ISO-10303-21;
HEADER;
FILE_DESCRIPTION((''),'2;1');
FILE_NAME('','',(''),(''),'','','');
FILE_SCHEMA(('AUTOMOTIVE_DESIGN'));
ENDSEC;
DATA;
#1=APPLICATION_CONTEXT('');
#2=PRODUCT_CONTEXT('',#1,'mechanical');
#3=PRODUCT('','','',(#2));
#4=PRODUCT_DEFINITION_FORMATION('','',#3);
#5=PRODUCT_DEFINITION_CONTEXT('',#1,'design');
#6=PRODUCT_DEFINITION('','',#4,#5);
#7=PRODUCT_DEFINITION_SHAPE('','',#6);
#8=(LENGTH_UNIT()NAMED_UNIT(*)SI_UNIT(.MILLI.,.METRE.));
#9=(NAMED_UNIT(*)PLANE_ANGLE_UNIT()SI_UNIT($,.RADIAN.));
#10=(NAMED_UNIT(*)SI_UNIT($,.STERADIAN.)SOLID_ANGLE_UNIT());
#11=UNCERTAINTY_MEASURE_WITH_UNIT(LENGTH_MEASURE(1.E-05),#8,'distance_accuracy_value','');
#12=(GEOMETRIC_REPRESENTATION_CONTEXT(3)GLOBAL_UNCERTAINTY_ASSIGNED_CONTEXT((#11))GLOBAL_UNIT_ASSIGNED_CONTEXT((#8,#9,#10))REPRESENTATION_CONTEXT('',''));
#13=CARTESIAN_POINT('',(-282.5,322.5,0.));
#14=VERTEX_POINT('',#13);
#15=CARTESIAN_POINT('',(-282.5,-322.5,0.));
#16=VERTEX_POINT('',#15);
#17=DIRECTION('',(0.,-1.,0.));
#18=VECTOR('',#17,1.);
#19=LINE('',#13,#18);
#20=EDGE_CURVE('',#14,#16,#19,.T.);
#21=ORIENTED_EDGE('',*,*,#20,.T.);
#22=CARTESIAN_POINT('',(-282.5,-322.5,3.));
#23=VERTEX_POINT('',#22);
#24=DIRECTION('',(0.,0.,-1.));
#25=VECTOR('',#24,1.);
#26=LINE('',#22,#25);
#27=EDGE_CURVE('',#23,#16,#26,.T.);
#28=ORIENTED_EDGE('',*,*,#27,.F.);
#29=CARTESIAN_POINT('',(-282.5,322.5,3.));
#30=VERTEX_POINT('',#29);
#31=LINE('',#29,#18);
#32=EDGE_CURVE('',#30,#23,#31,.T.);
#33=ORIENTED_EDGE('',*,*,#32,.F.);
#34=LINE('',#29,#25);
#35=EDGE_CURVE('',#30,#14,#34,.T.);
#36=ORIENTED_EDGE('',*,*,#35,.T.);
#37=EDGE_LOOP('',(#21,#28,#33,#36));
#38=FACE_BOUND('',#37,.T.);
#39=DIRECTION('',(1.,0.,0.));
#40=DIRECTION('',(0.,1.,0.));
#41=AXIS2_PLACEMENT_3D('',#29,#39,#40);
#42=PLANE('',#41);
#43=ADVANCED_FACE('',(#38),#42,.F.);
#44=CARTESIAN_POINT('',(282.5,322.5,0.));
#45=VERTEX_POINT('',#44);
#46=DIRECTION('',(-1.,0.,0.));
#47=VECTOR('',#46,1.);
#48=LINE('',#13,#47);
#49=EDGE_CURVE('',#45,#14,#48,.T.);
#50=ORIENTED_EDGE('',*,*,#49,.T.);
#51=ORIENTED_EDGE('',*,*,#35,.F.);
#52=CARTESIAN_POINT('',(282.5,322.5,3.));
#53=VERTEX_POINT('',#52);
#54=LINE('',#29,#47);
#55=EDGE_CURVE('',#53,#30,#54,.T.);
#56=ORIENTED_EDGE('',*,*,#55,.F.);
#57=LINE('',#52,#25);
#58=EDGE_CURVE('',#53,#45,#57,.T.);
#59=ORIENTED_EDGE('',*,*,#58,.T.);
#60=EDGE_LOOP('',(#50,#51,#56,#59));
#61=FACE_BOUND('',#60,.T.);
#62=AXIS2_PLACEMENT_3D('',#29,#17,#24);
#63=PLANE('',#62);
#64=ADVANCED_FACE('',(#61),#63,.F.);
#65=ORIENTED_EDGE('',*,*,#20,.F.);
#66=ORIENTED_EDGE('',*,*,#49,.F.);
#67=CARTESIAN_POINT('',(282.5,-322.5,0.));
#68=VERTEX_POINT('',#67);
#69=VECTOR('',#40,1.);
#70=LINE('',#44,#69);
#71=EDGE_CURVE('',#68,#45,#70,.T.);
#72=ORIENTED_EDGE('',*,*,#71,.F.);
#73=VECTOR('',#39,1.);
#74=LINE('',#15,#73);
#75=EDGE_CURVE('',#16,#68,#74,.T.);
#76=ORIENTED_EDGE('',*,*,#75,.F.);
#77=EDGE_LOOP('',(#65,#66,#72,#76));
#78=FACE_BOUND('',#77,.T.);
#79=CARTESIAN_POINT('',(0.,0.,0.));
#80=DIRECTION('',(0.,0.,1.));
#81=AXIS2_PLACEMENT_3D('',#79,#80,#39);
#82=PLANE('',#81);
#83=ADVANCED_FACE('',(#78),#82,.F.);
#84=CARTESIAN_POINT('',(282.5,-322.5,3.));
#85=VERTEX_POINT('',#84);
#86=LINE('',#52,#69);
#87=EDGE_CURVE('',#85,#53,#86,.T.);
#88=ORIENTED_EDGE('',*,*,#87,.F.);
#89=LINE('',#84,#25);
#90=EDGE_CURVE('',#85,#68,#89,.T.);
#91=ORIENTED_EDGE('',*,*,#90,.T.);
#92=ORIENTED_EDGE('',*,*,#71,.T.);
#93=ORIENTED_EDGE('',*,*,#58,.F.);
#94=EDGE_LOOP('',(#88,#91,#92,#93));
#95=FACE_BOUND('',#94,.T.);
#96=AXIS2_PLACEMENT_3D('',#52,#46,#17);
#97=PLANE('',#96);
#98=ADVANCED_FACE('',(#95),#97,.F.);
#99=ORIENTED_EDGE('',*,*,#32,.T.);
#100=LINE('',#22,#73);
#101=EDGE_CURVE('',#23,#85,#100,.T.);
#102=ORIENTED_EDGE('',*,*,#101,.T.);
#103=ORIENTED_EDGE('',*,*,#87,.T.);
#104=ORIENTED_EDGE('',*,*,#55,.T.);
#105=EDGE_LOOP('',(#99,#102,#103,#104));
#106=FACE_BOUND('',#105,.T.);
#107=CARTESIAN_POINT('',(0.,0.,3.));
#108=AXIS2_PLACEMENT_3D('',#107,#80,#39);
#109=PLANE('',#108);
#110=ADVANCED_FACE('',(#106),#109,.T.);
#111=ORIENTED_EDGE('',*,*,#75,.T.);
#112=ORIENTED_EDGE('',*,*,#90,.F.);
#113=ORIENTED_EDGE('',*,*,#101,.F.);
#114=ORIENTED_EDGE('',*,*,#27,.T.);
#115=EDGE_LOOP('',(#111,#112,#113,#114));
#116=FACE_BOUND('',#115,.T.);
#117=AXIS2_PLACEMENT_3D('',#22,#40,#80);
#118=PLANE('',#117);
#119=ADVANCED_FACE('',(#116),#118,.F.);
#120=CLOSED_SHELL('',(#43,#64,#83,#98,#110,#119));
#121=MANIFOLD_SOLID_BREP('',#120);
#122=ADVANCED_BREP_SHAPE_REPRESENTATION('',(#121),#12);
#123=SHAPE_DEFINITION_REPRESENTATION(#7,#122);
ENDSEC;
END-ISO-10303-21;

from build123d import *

# Parameters (mm, degrees)
SKICA1_W                = 565
SKICA1_H                = 645
P_IDAT_VYSUNUT_M1_DEPTH = 3


with BuildPart() as part:
    # Skica1 → Přidat vysunutím1 (new body)
    with BuildSketch(Plane.XY):
        Rectangle(SKICA1_W, SKICA1_H)
    extrude(amount=P_IDAT_VYSUNUT_M1_DEPTH)


solid = part.part
